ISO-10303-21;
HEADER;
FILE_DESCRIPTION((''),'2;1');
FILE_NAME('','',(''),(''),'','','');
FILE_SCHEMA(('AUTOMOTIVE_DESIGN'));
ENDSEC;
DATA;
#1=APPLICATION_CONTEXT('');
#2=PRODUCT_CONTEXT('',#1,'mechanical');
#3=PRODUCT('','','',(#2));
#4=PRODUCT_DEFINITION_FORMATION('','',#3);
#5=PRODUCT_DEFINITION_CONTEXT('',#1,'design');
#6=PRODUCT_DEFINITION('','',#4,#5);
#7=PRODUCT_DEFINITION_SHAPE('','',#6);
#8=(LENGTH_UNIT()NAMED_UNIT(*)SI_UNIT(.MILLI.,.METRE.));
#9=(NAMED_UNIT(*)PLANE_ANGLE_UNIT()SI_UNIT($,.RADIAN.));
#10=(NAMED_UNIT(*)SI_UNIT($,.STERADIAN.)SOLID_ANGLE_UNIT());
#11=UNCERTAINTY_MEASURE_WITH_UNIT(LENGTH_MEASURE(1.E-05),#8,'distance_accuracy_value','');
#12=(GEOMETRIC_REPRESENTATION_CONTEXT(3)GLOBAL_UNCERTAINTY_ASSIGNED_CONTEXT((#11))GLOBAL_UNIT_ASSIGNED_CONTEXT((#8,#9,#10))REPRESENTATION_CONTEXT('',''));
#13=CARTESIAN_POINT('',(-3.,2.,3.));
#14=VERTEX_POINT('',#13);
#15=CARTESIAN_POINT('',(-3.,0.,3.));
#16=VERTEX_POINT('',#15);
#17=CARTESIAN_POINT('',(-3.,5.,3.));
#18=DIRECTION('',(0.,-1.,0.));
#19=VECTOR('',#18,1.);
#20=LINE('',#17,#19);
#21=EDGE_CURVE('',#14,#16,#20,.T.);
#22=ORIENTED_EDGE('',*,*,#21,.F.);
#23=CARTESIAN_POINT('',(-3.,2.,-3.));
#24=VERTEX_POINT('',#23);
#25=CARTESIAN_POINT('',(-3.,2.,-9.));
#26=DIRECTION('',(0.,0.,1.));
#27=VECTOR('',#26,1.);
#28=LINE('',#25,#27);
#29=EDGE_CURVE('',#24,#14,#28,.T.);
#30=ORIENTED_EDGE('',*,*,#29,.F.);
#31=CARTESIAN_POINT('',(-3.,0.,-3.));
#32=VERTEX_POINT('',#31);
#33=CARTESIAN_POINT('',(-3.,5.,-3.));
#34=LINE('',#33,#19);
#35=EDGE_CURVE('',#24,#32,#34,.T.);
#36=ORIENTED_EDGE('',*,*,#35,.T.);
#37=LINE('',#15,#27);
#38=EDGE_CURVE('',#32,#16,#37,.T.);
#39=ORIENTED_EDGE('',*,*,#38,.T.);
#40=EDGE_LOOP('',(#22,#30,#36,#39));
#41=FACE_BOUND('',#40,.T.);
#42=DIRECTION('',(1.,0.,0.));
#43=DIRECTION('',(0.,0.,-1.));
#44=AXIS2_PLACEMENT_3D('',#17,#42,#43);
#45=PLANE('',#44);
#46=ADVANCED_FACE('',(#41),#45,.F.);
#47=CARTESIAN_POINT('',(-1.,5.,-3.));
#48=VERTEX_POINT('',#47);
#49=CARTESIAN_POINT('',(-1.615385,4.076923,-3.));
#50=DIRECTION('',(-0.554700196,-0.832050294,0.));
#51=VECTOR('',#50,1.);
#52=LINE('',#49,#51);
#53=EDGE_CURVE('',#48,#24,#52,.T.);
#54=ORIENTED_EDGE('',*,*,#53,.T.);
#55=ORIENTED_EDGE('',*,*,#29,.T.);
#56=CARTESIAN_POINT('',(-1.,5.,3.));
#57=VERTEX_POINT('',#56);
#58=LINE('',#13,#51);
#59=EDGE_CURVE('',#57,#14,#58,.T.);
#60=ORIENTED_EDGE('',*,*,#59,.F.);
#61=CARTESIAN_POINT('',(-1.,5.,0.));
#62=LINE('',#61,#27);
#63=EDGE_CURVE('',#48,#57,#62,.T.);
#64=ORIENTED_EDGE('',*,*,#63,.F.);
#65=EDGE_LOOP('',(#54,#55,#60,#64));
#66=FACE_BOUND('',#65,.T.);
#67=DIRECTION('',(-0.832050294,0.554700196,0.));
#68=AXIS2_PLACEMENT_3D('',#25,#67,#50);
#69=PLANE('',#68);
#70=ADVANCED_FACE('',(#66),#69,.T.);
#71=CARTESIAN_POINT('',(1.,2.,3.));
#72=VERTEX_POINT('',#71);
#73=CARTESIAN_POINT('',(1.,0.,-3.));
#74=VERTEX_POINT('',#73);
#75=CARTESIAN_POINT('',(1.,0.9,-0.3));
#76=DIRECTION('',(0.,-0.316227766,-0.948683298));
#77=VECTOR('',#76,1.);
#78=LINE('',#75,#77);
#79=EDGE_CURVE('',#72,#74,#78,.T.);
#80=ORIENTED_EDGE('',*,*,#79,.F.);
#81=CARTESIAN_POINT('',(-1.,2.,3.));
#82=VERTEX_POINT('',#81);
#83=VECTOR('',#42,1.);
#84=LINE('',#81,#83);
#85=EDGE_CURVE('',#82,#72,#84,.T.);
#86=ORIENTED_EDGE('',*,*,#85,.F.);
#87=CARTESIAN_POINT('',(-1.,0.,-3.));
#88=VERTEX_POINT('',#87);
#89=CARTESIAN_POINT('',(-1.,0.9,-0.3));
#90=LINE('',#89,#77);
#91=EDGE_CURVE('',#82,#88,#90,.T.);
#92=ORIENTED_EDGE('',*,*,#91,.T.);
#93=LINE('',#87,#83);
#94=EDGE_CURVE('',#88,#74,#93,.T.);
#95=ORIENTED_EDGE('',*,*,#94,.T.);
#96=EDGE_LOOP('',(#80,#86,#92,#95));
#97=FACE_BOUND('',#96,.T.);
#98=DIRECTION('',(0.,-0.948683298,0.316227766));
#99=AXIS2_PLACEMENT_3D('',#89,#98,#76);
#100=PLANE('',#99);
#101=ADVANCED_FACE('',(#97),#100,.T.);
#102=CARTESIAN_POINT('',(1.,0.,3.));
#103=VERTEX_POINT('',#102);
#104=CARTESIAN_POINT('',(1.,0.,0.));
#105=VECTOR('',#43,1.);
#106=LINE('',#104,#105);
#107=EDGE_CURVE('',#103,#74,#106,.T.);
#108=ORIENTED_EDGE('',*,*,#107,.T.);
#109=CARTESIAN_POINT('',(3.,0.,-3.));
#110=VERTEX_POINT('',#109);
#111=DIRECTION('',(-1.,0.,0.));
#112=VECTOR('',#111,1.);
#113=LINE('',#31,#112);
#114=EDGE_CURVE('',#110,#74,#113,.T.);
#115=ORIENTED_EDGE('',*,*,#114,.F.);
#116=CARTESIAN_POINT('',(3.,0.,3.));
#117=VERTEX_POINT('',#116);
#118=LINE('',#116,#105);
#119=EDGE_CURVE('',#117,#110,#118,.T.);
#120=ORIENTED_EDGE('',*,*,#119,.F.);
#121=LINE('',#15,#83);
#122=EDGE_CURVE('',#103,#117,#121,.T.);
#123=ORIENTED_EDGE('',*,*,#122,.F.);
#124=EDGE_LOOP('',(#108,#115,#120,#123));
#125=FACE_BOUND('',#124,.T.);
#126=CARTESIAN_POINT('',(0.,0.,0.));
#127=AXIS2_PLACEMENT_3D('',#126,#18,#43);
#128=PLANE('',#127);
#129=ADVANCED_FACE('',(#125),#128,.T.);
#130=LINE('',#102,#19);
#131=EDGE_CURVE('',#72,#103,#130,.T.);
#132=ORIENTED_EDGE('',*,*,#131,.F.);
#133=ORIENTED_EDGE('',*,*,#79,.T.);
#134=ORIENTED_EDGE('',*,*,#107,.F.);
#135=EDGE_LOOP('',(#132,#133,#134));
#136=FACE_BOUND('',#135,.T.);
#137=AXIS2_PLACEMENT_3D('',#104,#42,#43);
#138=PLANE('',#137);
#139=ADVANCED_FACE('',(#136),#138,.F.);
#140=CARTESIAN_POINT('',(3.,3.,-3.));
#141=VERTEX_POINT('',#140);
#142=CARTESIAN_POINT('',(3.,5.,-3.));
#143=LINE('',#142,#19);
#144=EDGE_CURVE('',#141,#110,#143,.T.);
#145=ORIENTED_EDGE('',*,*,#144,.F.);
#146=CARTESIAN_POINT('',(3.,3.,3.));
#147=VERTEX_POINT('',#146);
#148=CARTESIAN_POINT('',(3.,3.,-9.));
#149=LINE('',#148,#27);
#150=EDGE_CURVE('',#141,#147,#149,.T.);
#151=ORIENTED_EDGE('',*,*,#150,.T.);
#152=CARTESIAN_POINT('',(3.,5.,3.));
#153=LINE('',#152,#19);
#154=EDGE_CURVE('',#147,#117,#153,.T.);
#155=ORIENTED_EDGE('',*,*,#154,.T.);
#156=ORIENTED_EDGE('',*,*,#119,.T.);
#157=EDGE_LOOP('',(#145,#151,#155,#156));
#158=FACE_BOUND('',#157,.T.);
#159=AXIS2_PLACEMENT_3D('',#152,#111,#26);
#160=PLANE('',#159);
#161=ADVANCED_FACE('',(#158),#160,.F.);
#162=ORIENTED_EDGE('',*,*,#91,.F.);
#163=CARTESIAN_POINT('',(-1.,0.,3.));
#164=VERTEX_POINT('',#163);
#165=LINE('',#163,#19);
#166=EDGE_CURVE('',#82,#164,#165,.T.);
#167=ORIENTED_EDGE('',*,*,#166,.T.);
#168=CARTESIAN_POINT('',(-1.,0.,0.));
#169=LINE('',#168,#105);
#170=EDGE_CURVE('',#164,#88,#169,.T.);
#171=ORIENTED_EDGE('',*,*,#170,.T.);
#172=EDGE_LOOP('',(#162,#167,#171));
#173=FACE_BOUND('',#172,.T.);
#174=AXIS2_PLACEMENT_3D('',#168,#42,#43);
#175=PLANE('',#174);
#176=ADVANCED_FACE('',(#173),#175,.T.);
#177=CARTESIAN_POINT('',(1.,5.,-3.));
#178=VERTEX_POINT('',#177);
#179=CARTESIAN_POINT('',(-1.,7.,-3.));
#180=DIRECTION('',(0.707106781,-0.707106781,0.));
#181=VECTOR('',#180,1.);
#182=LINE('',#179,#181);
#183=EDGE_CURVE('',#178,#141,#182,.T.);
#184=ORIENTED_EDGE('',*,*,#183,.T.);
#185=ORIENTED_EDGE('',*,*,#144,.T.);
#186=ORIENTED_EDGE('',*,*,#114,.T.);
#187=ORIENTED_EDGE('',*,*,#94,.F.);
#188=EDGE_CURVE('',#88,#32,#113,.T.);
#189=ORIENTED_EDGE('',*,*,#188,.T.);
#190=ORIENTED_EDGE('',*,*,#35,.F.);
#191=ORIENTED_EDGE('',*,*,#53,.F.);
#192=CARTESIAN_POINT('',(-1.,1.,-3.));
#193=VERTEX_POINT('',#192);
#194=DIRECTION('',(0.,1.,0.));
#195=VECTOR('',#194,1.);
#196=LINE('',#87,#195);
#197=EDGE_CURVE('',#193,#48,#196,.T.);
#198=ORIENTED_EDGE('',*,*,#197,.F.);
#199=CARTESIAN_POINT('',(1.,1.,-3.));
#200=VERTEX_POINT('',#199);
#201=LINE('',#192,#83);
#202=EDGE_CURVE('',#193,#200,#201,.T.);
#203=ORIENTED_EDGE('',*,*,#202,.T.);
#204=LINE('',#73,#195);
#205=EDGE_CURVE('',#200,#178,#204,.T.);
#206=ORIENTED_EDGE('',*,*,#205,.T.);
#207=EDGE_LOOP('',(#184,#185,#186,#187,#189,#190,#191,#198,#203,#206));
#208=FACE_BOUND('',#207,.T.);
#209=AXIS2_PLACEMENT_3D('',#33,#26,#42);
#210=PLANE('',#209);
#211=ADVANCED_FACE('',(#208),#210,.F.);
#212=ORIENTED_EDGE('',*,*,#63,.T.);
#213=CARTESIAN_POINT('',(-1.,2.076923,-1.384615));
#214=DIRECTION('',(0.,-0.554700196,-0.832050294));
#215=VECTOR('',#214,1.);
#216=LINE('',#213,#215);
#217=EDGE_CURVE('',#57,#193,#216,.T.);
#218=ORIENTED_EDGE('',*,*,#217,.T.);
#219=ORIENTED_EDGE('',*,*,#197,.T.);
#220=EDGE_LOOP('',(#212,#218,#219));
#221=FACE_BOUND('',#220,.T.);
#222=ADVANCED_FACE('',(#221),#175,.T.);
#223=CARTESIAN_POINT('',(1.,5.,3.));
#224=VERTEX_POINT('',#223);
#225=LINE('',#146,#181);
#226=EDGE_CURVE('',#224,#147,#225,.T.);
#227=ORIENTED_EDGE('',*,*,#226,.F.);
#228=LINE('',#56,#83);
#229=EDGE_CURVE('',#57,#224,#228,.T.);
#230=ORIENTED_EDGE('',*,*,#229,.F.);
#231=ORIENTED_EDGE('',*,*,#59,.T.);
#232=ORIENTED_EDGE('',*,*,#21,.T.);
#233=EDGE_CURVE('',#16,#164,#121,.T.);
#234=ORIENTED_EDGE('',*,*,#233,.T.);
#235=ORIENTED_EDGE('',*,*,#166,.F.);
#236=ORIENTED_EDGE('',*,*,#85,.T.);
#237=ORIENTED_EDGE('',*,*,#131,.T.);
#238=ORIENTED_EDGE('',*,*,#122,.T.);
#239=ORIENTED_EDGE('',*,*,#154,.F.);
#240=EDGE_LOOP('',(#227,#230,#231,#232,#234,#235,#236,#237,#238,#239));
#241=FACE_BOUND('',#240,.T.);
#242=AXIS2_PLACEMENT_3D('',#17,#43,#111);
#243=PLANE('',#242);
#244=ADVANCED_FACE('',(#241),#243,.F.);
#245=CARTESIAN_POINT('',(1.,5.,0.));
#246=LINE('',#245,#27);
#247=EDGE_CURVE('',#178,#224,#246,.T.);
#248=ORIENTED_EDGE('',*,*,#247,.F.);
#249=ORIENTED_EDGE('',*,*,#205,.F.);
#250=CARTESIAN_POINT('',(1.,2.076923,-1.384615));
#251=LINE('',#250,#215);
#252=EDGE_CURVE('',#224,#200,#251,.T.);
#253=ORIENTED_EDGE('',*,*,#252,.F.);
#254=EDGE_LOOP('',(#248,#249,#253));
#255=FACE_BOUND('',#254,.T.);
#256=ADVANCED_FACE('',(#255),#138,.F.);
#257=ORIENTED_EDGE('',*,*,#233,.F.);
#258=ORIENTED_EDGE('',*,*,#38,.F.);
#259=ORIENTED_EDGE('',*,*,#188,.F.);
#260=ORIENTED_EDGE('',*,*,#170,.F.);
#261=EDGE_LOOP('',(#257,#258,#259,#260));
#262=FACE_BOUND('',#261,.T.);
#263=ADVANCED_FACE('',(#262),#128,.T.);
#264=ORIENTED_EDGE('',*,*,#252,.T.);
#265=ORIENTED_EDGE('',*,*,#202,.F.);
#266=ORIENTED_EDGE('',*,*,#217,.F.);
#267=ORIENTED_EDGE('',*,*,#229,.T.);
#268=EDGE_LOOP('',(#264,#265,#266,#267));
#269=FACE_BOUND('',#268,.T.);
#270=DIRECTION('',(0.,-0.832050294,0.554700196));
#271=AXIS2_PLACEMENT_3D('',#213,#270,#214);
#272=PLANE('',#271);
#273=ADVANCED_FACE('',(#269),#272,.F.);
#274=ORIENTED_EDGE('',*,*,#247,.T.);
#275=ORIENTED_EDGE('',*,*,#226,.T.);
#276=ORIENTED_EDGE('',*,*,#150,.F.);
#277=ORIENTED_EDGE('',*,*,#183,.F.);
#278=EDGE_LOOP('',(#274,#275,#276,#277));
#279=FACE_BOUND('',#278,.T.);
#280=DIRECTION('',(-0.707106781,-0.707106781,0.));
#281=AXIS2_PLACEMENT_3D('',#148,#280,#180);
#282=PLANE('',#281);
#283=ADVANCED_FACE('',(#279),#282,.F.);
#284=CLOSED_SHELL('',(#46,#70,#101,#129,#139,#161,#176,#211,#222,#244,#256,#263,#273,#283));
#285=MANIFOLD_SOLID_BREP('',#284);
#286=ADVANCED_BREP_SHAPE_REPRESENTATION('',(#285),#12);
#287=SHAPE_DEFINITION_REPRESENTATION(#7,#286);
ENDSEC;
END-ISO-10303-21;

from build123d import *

# Parameters (mm, degrees)
SKETCH1_W           = 6
SKETCH1_H           = 6
BOSS_EXTRUDE1_DEPTH = 5
CUT_EXTRUDE8_DEPTH  = 1
CUT_EXTRUDE11_DEPTH = 12


with BuildPart() as part:
    # Sketch1 → Boss-Extrude1 (new body)
    with BuildSketch(Plane(origin=(0, 0, 0), x_dir=(1, 0, 0), z_dir=(0, 1, 0))):
        Rectangle(SKETCH1_W, SKETCH1_H)
    extrude(amount=BOSS_EXTRUDE1_DEPTH)

    # Sketch9 → Cut-Extrude8 (cut, symmetric)
    with BuildSketch(Plane(origin=(0, 0, 0), x_dir=(0, 0, -1), z_dir=(1, 0, 0))):
        Polygon((3, 5), (-3, 5), (3, 1), align=None)
        Polygon((3, 0), (-3, 2), (-3, 0), align=None)
    extrude(amount=CUT_EXTRUDE8_DEPTH, both=True, mode=Mode.SUBTRACT)

    # Sketch10 → Cut-Extrude11 (cut)
    with BuildSketch(Plane.XY.offset(3)):
        Polygon((-3, 2), (-1, 5), (-3, 5), align=None)
        Polygon((3, 5), (1, 5), (3, 3), align=None)
    extrude(amount=-CUT_EXTRUDE11_DEPTH, mode=Mode.SUBTRACT)


solid = part.part
